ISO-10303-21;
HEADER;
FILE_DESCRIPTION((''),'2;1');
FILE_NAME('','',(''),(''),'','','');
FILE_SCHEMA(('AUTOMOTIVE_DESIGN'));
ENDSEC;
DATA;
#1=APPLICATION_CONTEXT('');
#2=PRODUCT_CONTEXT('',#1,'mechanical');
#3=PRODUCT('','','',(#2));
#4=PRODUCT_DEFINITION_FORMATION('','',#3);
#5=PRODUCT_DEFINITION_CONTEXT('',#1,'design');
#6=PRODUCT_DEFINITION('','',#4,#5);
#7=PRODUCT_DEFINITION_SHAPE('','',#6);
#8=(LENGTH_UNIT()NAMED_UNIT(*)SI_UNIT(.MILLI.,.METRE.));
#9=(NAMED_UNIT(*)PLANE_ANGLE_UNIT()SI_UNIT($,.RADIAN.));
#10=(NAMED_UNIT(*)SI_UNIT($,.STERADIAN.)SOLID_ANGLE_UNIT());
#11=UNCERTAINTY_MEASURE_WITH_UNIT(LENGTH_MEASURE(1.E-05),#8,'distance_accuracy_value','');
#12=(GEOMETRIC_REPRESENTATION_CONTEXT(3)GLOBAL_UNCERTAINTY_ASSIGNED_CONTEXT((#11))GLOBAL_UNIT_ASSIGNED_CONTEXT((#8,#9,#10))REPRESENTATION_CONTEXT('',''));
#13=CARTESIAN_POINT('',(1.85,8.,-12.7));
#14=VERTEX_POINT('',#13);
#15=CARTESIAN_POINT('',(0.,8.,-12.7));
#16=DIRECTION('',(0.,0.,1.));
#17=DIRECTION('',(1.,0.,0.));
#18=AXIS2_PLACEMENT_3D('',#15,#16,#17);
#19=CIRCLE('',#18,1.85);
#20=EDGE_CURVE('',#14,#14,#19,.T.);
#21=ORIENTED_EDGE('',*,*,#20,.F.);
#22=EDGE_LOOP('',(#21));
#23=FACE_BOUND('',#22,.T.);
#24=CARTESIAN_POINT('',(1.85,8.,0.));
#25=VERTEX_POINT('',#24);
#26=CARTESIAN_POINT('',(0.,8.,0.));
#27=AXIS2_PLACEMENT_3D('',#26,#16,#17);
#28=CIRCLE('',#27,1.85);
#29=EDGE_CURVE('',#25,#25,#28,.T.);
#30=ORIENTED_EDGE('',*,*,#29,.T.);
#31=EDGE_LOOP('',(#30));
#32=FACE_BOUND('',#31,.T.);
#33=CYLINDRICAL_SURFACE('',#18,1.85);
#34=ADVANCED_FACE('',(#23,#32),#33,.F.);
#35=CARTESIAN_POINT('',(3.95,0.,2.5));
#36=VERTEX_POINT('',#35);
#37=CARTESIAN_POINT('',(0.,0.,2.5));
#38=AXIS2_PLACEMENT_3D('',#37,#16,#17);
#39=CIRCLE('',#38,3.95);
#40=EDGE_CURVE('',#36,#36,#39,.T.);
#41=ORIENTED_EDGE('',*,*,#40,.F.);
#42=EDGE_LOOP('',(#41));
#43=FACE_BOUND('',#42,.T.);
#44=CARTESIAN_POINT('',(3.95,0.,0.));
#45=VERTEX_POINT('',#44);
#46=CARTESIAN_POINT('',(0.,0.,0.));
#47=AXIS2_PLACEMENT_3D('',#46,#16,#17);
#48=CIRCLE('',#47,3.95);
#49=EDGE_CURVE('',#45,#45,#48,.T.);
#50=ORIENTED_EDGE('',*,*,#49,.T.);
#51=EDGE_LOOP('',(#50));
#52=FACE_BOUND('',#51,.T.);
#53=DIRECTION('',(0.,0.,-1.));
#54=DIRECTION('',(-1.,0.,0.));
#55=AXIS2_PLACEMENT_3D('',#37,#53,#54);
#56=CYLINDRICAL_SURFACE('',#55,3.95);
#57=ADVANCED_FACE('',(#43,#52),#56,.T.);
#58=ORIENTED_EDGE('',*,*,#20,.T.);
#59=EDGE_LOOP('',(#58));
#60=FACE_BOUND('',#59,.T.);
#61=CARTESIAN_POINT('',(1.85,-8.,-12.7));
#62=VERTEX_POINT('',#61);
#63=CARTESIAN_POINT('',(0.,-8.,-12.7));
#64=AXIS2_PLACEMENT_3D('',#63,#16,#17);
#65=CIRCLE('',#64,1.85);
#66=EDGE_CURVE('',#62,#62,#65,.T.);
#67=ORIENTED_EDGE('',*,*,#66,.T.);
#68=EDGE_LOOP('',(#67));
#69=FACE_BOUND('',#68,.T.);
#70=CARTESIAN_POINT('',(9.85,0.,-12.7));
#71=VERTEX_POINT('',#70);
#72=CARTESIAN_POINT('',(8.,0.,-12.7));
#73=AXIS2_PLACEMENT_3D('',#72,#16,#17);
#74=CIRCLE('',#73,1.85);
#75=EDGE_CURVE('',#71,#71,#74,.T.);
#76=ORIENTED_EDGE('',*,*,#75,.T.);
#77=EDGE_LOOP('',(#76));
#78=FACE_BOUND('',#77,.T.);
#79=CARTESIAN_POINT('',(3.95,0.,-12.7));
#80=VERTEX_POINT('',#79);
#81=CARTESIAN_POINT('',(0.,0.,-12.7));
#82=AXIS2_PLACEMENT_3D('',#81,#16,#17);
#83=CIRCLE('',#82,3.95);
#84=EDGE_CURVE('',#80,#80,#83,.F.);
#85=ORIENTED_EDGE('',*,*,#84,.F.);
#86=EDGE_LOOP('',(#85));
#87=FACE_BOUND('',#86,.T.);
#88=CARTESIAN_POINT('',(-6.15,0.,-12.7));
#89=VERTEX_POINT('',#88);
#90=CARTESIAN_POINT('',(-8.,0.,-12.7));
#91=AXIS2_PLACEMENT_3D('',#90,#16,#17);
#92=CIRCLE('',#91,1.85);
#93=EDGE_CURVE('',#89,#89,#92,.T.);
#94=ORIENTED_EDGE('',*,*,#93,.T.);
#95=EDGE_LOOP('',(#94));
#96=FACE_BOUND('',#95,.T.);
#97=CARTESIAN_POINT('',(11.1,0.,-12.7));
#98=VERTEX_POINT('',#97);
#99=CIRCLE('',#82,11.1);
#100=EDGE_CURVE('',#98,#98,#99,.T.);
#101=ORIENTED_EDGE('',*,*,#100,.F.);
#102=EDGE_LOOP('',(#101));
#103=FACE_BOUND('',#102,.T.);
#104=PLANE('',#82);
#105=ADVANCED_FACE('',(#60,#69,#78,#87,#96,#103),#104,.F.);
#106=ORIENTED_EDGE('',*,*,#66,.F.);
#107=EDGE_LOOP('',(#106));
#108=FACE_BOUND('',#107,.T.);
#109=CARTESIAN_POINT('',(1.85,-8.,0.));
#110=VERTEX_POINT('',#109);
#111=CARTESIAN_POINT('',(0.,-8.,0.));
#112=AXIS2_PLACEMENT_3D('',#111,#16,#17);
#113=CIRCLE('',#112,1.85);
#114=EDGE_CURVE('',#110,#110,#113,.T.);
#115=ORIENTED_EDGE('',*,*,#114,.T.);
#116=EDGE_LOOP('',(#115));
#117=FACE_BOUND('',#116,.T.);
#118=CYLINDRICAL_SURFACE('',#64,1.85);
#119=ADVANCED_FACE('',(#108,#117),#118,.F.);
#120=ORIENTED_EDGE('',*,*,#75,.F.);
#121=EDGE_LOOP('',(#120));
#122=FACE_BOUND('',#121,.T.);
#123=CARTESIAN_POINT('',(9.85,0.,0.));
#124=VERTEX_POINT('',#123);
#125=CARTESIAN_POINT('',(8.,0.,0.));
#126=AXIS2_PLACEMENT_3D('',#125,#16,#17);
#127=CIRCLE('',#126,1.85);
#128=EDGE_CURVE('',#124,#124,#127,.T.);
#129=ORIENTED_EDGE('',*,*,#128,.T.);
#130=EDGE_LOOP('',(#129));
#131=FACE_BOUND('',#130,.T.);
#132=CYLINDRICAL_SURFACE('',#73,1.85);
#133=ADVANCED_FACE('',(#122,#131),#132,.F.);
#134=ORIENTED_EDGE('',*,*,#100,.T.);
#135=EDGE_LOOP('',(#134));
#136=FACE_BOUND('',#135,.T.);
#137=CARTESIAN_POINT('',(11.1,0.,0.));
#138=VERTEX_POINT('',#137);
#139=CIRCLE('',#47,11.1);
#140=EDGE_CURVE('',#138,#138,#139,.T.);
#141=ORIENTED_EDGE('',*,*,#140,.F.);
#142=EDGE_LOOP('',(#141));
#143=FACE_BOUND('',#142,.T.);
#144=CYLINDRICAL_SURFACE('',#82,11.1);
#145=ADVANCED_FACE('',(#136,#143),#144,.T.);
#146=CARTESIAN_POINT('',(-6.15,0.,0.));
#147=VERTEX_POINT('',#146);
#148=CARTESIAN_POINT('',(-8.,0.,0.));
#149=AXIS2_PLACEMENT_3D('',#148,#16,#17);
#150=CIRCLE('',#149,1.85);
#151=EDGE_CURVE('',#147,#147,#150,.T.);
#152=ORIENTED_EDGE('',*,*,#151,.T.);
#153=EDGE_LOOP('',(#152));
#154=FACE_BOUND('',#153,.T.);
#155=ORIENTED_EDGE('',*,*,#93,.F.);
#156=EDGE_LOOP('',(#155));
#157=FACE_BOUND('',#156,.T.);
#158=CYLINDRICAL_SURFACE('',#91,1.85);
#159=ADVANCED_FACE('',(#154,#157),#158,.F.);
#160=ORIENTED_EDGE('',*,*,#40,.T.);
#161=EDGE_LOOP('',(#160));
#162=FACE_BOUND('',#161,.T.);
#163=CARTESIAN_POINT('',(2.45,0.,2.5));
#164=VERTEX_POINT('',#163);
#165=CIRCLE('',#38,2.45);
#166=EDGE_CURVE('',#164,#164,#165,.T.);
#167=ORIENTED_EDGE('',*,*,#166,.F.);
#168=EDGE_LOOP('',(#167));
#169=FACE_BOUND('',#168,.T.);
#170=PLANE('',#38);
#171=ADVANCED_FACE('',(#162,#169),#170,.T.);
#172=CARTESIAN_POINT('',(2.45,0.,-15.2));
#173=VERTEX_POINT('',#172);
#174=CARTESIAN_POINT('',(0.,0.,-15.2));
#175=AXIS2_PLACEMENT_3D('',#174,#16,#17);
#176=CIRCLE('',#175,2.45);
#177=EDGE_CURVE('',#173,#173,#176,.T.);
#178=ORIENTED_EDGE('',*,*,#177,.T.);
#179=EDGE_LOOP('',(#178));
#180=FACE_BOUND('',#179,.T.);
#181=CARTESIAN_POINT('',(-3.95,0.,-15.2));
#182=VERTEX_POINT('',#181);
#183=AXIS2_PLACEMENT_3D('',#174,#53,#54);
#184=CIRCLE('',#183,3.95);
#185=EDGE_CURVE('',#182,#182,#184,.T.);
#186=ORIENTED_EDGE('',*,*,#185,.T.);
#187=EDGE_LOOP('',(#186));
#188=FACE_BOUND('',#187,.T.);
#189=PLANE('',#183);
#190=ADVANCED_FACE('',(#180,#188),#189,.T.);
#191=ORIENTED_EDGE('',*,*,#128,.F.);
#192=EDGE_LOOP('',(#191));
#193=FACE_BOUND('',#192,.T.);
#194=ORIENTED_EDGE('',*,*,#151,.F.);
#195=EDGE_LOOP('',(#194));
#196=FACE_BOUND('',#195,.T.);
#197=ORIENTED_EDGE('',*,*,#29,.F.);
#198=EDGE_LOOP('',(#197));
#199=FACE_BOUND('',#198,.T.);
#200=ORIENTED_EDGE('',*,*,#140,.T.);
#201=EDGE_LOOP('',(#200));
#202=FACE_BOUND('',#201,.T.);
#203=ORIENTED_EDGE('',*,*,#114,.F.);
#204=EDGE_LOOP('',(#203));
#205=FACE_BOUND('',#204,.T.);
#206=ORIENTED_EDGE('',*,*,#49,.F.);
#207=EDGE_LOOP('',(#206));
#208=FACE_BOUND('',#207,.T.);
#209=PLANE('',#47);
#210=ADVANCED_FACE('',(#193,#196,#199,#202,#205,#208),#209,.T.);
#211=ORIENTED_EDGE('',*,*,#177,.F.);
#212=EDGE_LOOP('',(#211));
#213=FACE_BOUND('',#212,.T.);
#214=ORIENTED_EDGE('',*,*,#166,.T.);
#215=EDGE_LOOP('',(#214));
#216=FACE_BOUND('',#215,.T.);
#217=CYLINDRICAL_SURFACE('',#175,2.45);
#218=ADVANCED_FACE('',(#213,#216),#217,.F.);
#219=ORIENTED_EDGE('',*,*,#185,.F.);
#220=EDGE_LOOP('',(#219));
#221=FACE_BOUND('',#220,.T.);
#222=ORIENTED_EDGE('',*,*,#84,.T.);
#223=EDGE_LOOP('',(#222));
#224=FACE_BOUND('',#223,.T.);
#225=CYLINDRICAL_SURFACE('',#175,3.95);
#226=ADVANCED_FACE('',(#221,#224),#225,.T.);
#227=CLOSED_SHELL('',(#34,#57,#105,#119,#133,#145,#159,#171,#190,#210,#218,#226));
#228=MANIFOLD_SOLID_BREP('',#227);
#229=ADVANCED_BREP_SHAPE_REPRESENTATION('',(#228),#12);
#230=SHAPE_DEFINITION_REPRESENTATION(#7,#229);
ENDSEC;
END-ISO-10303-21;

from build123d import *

# Parameters (mm, degrees)
SKETCH1_R          = 11.1
EXTRUDE1_DEPTH     = 12.7
SKETCH3_R          = 1.85
CUT_EXTRUDE1_DEPTH = 13.7
SKETCH6_R          = 3.95
EXTRUDE3_DEPTH     = 2.5
SKETCH7_R          = 3.95
EXTRUDE4_DEPTH     = 2.5
SKETCH8_R          = 2.45
CUT_EXTRUDE2_DEPTH = 18.7


with BuildPart() as part:
    # Sketch1 → Extrude1 (new body)
    with BuildSketch(Plane.XY):
        Circle(SKETCH1_R)
    extrude(amount=-EXTRUDE1_DEPTH)

    # Sketch3 → Cut-Extrude1 (cut, through all)
    with BuildSketch(Plane.XY):
        with Locations((8, 0)):
            Circle(SKETCH3_R)
        with Locations((-8, 0)):
            Circle(SKETCH3_R)
        with Locations((0, -8)):
            Circle(SKETCH3_R)
        with Locations((0, 8)):
            Circle(SKETCH3_R)
    extrude(amount=-CUT_EXTRUDE1_DEPTH, mode=Mode.SUBTRACT)

    # Sketch6 → Extrude3 (add)
    with BuildSketch(Plane.XY):
        Circle(SKETCH6_R)
    extrude(amount=EXTRUDE3_DEPTH)

    # Sketch7 → Extrude4 (add)
    with BuildSketch(Plane(origin=(0, 0, -12.7), x_dir=(-1, 0, 0), z_dir=(0, 0, -1))):
        Circle(SKETCH7_R)
    extrude(amount=EXTRUDE4_DEPTH)

    # Sketch8 → Cut-Extrude2 (cut, through all)
    with BuildSketch(Plane.XY.offset(2.5)):
        Circle(SKETCH8_R)
    extrude(amount=-CUT_EXTRUDE2_DEPTH, mode=Mode.SUBTRACT)


solid = part.part
